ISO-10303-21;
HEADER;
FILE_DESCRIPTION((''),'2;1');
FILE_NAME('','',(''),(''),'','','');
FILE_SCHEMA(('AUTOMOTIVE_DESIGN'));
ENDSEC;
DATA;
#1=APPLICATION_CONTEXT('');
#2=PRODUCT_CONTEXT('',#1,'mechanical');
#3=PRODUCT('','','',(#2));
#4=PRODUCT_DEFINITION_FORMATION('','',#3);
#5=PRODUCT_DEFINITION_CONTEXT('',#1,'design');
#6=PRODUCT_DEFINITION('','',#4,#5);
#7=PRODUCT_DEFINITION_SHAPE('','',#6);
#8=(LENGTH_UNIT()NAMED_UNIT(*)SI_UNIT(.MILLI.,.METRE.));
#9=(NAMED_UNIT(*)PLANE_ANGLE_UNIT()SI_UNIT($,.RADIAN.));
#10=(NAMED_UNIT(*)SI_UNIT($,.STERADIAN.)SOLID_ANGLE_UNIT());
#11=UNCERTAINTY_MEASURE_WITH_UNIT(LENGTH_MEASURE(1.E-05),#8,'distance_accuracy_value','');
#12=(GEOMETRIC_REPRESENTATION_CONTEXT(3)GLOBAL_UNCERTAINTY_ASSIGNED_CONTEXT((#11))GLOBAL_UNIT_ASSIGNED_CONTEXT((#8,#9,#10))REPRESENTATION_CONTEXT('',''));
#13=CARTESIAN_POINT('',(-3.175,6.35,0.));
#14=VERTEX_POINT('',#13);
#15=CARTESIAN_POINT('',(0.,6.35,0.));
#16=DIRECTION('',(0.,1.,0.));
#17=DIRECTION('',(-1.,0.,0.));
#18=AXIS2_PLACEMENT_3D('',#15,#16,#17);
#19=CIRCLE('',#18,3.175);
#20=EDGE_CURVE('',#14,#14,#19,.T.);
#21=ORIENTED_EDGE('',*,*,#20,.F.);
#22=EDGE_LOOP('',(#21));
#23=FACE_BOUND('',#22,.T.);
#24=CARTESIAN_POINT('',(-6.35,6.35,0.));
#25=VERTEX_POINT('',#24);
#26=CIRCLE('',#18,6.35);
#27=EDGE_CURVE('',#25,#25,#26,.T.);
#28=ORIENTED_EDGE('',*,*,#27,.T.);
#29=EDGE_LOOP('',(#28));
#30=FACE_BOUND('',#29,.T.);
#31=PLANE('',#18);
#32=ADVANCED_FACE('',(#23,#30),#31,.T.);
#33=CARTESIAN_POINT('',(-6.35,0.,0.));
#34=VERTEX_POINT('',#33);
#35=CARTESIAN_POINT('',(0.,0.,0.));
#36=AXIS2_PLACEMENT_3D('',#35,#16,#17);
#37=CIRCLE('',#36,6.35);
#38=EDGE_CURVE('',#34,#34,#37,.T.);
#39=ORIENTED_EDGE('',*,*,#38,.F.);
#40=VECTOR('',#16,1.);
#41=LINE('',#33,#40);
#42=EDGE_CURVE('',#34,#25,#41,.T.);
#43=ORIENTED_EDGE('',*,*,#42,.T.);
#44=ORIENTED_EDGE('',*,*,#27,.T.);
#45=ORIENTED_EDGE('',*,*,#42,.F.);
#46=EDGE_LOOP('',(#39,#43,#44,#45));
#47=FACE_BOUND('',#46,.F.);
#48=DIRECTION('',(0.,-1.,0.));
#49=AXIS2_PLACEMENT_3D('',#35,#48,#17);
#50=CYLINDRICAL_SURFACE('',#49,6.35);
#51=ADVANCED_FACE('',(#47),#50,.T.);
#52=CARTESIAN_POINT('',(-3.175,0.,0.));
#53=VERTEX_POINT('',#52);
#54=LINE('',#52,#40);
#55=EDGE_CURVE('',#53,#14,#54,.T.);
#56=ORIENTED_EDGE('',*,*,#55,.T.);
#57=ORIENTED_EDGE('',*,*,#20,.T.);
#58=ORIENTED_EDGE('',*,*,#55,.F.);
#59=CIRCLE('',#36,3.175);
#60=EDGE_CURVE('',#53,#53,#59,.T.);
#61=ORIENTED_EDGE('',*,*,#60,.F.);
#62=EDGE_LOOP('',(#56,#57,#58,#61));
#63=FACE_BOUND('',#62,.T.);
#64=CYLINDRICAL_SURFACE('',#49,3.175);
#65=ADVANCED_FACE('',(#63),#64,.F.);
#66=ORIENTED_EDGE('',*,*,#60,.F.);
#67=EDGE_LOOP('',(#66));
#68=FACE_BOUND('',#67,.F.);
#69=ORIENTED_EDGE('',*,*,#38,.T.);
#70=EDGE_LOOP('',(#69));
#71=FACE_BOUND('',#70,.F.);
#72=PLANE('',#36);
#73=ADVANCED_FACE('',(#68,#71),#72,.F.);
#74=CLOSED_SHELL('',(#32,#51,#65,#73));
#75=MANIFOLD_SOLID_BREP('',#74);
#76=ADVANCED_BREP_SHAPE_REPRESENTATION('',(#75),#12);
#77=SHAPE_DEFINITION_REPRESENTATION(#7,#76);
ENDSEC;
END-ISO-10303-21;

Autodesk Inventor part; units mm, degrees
ref_plane "YZ Plane" through (0, 0, 0) normal (1, 0, 0) x (0, 1, 0)
ref_plane "XZ Plane" through (0, 0, 0) normal (0, 1, 0) x (-1, 0, 0)
ref_plane "XY Plane" through (0, 0, 0) normal (0, 0, 1) x (1, 0, 0)
sketch "Sketch1" plane through (0, 0, 0) normal (0, 1, 0) x (-1, 0, 0)
  circle A0 centre (0, 0) radius 3.175
  circle A1 centre (0, 0) radius 6.35
  dimension "d0" = 6.35
  dimension "d1" = 12.7
extrude "Extrusion1" add sketch "Sketch1" along normal blind 6.35
properties part number "Spacer"
